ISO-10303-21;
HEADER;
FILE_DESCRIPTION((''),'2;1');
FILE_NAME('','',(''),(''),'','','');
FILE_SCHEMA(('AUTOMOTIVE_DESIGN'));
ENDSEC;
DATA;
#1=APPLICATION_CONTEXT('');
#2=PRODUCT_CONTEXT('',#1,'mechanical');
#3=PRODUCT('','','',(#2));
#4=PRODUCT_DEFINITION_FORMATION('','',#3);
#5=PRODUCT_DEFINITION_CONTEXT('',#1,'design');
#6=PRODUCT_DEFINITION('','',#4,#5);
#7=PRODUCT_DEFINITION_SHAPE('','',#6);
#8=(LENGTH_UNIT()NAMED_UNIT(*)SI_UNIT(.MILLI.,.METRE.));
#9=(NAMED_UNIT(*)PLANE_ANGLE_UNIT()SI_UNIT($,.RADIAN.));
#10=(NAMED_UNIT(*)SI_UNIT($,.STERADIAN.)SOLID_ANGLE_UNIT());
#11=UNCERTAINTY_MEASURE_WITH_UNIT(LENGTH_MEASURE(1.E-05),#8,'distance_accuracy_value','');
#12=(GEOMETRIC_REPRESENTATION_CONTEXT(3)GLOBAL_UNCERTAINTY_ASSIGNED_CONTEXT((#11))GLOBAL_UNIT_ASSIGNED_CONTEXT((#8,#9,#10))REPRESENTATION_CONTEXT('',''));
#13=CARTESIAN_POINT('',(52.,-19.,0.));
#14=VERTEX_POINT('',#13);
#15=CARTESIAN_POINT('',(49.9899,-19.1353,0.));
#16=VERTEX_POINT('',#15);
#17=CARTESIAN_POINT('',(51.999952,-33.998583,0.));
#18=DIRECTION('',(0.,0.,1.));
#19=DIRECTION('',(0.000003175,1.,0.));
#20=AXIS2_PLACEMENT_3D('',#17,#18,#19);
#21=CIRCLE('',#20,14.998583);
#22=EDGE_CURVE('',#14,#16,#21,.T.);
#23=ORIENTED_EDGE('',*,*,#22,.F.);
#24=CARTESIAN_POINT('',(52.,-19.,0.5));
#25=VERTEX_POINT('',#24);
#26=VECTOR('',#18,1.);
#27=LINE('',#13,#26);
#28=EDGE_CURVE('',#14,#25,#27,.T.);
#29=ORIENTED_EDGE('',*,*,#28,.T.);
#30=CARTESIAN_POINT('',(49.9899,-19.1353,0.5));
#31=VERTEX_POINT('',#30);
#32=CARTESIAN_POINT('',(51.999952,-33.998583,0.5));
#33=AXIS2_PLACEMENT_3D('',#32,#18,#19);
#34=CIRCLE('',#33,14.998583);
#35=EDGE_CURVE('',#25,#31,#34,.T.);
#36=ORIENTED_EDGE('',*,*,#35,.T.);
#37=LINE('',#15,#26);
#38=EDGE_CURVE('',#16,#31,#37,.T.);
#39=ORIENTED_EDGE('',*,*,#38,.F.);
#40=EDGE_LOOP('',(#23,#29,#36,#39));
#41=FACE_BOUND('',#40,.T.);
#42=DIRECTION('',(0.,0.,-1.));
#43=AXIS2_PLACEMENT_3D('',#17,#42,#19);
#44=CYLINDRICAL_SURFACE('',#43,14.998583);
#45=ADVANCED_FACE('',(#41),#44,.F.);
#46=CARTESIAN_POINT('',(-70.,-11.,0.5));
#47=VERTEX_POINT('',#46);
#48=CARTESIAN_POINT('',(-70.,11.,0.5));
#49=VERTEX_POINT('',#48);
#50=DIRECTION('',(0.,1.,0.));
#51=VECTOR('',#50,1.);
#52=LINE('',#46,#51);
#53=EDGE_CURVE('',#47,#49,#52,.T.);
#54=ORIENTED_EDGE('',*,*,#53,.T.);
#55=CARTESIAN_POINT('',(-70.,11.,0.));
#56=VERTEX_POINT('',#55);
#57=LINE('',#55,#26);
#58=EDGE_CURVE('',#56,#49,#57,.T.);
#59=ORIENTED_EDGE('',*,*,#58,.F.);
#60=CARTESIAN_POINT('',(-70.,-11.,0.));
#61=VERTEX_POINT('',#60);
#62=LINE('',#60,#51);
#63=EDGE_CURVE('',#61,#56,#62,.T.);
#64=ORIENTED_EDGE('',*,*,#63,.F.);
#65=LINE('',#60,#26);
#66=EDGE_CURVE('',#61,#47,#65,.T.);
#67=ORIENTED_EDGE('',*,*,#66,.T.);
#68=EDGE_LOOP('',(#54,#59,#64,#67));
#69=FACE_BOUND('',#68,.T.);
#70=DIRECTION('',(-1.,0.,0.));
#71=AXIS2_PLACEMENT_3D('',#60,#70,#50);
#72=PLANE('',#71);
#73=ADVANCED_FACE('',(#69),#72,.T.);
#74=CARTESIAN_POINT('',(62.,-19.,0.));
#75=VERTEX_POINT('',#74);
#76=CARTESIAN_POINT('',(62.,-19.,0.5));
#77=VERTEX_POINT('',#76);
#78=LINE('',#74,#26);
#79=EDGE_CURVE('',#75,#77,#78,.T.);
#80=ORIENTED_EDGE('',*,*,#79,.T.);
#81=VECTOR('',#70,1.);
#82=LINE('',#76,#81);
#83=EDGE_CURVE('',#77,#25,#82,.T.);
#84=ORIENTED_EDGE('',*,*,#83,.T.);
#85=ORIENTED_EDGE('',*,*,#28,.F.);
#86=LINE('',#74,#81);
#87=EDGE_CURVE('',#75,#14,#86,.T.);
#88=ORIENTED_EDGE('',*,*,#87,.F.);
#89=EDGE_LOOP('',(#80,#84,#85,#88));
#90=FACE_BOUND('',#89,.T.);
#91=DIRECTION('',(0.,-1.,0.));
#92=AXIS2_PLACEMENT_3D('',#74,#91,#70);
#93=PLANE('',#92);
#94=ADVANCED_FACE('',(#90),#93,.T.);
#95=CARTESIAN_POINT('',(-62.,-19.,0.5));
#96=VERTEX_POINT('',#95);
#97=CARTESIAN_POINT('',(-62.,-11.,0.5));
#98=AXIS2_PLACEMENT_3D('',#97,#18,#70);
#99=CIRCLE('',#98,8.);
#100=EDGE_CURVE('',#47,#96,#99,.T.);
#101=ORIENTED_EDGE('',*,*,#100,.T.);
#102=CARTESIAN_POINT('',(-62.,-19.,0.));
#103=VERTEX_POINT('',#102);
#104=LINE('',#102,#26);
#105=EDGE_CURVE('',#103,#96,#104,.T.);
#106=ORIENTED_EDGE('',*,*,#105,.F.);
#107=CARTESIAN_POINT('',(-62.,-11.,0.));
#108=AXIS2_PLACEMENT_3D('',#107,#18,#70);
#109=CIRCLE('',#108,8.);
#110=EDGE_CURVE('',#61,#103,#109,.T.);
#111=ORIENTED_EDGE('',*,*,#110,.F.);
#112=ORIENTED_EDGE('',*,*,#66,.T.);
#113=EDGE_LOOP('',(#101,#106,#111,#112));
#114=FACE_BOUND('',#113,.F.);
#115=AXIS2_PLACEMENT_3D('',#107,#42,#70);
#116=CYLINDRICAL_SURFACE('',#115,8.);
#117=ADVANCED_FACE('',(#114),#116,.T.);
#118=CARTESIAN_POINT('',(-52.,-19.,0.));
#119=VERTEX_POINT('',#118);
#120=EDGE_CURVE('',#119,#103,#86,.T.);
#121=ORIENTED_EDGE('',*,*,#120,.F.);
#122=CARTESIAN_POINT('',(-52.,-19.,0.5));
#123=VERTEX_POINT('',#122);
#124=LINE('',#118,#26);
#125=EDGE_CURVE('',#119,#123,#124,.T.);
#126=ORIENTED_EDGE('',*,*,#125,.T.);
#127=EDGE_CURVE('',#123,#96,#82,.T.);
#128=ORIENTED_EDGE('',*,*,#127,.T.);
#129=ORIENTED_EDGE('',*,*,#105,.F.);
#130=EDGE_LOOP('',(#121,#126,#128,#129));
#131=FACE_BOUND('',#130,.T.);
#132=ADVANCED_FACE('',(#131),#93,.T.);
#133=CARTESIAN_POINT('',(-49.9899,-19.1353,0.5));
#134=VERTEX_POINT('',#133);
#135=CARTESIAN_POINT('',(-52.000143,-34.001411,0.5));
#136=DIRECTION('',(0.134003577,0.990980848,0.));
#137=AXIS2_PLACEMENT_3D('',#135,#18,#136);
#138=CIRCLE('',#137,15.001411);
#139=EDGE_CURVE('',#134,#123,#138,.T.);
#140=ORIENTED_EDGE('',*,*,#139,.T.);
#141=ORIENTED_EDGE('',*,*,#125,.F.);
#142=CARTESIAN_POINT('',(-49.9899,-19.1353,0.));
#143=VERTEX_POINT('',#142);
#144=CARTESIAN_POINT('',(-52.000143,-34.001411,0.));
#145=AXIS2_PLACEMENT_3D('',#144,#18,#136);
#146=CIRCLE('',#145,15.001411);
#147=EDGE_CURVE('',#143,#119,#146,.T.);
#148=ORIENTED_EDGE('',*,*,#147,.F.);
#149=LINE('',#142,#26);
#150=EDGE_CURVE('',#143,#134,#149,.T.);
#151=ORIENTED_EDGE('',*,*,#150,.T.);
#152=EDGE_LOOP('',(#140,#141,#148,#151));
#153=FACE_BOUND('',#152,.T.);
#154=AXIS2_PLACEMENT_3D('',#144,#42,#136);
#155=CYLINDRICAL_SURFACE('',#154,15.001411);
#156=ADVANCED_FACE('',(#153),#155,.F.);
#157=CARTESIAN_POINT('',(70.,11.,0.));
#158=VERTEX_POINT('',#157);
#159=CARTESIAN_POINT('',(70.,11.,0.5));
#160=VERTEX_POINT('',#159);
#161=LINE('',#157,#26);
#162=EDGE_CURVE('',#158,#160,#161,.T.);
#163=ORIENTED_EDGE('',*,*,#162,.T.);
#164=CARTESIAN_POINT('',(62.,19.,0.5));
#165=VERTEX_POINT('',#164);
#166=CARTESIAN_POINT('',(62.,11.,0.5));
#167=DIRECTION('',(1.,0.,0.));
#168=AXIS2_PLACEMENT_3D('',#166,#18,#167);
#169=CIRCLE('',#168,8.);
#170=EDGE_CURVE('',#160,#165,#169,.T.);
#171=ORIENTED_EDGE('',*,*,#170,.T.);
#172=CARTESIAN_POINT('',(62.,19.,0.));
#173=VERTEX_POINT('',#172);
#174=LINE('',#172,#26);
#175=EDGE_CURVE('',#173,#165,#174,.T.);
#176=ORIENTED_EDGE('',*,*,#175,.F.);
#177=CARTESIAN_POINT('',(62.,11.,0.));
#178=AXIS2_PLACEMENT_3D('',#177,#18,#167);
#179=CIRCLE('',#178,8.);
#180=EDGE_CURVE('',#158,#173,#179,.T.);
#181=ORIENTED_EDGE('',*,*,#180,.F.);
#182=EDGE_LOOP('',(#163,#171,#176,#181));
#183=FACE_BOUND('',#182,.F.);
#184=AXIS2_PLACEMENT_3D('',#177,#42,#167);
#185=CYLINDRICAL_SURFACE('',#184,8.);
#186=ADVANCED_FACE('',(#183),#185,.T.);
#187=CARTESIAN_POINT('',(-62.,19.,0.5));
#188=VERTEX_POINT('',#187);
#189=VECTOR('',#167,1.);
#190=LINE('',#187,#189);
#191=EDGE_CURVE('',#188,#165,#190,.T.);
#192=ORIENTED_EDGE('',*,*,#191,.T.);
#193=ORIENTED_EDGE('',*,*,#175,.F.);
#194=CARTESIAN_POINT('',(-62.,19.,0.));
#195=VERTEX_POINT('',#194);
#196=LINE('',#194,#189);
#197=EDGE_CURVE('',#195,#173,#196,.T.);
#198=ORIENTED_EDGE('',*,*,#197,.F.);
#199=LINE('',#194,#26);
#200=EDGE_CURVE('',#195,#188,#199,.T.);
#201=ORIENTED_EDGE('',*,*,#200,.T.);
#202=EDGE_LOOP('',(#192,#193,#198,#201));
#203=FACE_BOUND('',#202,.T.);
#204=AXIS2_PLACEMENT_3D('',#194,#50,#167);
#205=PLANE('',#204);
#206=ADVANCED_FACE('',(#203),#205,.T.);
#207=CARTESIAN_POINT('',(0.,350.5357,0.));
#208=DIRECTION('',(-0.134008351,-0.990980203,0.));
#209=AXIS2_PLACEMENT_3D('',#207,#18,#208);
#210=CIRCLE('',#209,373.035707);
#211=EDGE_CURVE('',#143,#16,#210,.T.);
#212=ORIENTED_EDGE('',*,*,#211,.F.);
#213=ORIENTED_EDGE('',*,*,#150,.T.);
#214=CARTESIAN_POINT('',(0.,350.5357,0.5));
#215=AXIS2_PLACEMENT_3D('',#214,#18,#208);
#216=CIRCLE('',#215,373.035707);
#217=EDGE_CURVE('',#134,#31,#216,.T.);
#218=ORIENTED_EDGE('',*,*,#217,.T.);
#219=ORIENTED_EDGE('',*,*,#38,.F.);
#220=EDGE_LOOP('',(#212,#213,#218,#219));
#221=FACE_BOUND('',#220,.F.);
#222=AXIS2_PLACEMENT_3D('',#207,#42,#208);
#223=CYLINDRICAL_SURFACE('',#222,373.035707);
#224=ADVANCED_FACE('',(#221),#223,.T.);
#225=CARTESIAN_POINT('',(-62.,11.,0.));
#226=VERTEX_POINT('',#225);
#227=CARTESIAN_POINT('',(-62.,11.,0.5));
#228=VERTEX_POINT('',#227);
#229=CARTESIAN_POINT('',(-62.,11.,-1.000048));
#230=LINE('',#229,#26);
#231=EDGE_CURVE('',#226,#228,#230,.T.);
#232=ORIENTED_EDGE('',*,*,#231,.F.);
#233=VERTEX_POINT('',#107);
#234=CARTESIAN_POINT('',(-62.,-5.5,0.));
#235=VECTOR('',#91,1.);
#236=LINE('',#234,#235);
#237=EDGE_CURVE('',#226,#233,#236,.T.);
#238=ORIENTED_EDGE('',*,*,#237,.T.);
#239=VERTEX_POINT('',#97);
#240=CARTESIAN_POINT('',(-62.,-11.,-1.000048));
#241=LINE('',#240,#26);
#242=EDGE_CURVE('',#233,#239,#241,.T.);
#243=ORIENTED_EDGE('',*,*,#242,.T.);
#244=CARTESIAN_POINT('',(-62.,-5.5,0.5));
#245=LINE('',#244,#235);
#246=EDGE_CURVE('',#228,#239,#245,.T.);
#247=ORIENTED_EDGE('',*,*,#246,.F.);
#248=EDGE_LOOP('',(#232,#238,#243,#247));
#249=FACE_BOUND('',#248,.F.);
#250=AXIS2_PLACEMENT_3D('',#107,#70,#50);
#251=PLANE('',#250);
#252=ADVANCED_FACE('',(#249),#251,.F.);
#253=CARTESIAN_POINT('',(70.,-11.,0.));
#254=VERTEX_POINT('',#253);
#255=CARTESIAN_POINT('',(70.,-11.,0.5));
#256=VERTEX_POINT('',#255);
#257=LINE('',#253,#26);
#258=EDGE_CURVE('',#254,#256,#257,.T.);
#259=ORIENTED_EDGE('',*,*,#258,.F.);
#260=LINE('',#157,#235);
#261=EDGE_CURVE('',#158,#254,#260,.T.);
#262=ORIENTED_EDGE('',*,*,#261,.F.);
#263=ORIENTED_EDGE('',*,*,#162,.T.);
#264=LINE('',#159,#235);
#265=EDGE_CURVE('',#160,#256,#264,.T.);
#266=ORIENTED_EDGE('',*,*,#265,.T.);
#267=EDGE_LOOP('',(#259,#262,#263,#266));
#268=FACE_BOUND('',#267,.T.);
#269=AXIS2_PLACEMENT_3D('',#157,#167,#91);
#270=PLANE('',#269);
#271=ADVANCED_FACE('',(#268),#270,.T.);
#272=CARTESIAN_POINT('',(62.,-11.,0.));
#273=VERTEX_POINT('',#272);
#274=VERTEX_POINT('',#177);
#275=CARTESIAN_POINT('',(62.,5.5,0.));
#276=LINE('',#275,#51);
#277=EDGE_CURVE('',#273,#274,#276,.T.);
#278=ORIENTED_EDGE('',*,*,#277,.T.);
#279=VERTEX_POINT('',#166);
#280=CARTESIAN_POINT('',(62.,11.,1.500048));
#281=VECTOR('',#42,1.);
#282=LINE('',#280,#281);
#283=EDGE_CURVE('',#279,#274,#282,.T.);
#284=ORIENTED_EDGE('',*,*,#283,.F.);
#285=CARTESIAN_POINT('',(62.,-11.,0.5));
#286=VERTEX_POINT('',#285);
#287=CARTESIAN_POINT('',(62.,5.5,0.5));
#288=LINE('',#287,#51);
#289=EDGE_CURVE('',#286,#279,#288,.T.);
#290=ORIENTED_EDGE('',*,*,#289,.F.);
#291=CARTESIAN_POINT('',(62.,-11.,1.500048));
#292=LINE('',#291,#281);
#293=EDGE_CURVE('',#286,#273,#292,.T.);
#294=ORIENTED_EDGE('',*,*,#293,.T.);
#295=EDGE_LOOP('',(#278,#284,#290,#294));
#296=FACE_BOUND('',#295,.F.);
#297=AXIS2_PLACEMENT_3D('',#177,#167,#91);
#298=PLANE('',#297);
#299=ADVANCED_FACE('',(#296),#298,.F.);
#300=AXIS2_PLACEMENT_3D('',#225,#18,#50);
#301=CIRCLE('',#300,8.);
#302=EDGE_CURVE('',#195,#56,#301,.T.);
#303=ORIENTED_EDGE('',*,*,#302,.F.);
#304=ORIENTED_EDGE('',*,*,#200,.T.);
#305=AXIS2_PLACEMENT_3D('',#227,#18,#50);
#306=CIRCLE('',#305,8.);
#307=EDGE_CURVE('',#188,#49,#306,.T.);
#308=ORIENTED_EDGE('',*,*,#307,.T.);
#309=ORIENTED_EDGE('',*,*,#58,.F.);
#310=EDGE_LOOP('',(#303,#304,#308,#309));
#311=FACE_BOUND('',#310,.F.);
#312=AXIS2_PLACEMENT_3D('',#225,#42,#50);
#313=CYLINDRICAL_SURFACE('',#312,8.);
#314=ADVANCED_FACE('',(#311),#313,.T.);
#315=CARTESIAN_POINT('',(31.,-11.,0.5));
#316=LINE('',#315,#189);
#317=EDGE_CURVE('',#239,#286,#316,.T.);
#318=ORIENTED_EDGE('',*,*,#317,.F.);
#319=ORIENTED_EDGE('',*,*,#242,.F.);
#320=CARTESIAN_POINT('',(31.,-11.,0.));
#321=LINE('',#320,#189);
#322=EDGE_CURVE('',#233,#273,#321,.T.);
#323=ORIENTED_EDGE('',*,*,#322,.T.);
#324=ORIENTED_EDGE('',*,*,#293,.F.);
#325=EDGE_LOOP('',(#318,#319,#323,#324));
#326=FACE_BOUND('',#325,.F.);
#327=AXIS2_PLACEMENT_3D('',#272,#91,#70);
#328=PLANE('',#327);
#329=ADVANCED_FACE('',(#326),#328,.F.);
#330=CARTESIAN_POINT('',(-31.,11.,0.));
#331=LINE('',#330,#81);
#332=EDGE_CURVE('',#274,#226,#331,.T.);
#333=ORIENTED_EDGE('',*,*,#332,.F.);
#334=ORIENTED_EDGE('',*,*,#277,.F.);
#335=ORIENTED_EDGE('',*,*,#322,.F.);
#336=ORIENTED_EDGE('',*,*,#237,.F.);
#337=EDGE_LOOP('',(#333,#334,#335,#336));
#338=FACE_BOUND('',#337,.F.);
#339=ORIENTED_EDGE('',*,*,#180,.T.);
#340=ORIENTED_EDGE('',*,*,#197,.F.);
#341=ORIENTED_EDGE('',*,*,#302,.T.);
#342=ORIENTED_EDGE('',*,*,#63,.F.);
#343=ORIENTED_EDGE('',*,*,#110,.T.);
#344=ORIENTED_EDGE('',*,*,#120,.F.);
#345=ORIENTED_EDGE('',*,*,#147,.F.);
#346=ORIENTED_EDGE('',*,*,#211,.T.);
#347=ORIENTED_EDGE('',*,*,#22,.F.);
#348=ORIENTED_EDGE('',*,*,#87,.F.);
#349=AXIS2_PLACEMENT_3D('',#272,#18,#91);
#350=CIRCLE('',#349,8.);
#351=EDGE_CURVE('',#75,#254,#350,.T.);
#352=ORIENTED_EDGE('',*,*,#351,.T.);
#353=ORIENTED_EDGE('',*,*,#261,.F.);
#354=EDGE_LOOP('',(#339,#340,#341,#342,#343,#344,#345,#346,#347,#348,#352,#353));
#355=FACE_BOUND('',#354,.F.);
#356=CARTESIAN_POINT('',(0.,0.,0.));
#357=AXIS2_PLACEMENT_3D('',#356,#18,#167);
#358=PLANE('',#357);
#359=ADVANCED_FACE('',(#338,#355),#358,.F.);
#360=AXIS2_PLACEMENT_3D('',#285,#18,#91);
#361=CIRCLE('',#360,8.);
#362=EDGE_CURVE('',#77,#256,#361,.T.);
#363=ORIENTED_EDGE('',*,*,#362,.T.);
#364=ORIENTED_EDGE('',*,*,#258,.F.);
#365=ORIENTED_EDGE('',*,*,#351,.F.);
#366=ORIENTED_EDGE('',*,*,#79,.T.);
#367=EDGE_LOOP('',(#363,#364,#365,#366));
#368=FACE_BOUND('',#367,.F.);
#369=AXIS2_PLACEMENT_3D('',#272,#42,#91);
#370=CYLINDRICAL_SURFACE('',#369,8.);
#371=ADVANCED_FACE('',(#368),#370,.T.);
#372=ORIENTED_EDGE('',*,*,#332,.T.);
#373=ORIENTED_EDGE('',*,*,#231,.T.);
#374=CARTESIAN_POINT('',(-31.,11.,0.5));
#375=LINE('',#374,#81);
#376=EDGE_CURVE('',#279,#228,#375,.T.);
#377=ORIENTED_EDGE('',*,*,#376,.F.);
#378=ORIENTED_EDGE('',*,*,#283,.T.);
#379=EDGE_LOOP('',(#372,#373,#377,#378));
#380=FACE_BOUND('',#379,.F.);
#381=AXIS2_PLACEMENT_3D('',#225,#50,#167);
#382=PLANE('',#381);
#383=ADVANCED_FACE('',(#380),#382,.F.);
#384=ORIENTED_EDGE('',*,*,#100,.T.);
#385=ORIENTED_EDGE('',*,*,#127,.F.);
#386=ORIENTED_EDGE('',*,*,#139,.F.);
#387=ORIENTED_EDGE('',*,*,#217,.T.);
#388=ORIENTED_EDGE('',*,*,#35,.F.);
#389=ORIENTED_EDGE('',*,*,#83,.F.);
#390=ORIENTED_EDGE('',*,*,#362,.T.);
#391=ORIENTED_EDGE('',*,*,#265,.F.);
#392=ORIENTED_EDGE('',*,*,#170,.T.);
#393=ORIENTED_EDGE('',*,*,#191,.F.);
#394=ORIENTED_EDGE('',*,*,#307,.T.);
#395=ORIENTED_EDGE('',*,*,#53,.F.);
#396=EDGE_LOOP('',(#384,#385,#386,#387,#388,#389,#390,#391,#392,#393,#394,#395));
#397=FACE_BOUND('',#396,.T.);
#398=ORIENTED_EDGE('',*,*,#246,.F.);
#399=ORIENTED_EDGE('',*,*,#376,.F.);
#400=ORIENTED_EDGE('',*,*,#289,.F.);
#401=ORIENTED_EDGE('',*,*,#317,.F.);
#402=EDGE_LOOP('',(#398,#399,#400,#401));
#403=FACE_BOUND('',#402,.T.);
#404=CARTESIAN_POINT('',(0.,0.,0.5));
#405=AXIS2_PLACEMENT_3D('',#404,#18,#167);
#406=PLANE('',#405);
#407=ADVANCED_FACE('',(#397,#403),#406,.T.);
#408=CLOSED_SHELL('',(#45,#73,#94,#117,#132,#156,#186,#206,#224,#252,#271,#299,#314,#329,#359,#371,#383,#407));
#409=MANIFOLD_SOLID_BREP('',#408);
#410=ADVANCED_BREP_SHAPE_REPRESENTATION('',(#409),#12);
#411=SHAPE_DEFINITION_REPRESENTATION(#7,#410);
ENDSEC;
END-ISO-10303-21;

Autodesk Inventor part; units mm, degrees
ref_plane "XZ Plane" through (0, 0, 0) normal (0, 1, 0) x (-1, 0, 0)
sketch "Sketch1" plane through (0, 0, 0) normal (0, 0, 1) x (1, 0, 0)
  line L0 (-62, 19) -> (62, 19)
  line L1 (70, 11) -> (70, -11)
  line L2 (62, -19) -> (-62, -19)
  line L3 (-70, -11) -> (-70, 11)
  arc A0 (70, 11) -> (62, 19) centre (62, 11) ccw
  arc A1 (62, -19) -> (70, -11) centre (62, -11) ccw
  arc A2 (-70, -11) -> (-62, -19) centre (-62, -11) ccw
  arc A3 (-62, 19) -> (-70, 11) centre (-62, 11) ccw
  point P0 (0, 0)
  dimension "d0" = 19
  dimension "d1" = 38
  dimension "d2" = 140
  dimension "d3" = 70
  dimension "d4" = 8
  dimension "d5" = 8
extrude "Extrusion1" add sketch "Sketch1" along normal blind 0.5
sketch "Sketch2" plane through (0, 0, 0) normal (0, 0, 1) x (1, 0, 0)
  arc A0 (-49.9899, -19.1353) -> (-52, -19) centre (-52, -34) ccw
  arc A1 (52, -19) -> (49.9899, -19.1353) centre (52, -34) ccw
  line L0 (52, -17) -> (52, -19)
  line L1 (70, -11) -> (70, 11) projected
  line L2 (-70, 11) -> (-70, -11) projected
  line L3 (-62, -19) -> (62, -19) projected
  line L4 (-52, -34) -> (-52, -17)
  line L5 (-52, -17) -> (52, -17)
  line L6 (52, -17) -> (52, -19)
  arc A2 (-49.9899, -19.1353) -> (49.9899, -19.1353) centre (0, 350.5357) ccw
  dimension "d24" = 30
  dimension "d25" = 30
  dimension "d26" = 18
  dimension "d27" = 15
  dimension "d28" = 15
  dimension "d30" = 2
  dimension "d31" = 18
  dimension "d32" = 5.5
extrude "Extrusion2" add sketch "Sketch2" along normal blind 0.5
sketch "Sketch3" plane through (0, 0, 0) normal (0, 0, 1) x (1, 0, 0)
  arc A0 (62, -19) -> (70, -11) centre (62, -11) ccw
  arc A1 (-62, 19) -> (-70, 11) centre (-62, 11) ccw
  line L0 (-62, 11) -> (62, 11)
  line L1 (62, 11) -> (62, -11)
  line L2 (62, -11) -> (-62, -11)
  line L3 (-62, -11) -> (-62, 11)
  point P0 (0, 0)
extrude "Extrusion3" cut sketch "Sketch3" along normal through all both and the other way through all
equation "\"d0\" = 0.5 * d1"
equation "\"d3\" = 0.5 * d2"
properties part number "frontprofile"
